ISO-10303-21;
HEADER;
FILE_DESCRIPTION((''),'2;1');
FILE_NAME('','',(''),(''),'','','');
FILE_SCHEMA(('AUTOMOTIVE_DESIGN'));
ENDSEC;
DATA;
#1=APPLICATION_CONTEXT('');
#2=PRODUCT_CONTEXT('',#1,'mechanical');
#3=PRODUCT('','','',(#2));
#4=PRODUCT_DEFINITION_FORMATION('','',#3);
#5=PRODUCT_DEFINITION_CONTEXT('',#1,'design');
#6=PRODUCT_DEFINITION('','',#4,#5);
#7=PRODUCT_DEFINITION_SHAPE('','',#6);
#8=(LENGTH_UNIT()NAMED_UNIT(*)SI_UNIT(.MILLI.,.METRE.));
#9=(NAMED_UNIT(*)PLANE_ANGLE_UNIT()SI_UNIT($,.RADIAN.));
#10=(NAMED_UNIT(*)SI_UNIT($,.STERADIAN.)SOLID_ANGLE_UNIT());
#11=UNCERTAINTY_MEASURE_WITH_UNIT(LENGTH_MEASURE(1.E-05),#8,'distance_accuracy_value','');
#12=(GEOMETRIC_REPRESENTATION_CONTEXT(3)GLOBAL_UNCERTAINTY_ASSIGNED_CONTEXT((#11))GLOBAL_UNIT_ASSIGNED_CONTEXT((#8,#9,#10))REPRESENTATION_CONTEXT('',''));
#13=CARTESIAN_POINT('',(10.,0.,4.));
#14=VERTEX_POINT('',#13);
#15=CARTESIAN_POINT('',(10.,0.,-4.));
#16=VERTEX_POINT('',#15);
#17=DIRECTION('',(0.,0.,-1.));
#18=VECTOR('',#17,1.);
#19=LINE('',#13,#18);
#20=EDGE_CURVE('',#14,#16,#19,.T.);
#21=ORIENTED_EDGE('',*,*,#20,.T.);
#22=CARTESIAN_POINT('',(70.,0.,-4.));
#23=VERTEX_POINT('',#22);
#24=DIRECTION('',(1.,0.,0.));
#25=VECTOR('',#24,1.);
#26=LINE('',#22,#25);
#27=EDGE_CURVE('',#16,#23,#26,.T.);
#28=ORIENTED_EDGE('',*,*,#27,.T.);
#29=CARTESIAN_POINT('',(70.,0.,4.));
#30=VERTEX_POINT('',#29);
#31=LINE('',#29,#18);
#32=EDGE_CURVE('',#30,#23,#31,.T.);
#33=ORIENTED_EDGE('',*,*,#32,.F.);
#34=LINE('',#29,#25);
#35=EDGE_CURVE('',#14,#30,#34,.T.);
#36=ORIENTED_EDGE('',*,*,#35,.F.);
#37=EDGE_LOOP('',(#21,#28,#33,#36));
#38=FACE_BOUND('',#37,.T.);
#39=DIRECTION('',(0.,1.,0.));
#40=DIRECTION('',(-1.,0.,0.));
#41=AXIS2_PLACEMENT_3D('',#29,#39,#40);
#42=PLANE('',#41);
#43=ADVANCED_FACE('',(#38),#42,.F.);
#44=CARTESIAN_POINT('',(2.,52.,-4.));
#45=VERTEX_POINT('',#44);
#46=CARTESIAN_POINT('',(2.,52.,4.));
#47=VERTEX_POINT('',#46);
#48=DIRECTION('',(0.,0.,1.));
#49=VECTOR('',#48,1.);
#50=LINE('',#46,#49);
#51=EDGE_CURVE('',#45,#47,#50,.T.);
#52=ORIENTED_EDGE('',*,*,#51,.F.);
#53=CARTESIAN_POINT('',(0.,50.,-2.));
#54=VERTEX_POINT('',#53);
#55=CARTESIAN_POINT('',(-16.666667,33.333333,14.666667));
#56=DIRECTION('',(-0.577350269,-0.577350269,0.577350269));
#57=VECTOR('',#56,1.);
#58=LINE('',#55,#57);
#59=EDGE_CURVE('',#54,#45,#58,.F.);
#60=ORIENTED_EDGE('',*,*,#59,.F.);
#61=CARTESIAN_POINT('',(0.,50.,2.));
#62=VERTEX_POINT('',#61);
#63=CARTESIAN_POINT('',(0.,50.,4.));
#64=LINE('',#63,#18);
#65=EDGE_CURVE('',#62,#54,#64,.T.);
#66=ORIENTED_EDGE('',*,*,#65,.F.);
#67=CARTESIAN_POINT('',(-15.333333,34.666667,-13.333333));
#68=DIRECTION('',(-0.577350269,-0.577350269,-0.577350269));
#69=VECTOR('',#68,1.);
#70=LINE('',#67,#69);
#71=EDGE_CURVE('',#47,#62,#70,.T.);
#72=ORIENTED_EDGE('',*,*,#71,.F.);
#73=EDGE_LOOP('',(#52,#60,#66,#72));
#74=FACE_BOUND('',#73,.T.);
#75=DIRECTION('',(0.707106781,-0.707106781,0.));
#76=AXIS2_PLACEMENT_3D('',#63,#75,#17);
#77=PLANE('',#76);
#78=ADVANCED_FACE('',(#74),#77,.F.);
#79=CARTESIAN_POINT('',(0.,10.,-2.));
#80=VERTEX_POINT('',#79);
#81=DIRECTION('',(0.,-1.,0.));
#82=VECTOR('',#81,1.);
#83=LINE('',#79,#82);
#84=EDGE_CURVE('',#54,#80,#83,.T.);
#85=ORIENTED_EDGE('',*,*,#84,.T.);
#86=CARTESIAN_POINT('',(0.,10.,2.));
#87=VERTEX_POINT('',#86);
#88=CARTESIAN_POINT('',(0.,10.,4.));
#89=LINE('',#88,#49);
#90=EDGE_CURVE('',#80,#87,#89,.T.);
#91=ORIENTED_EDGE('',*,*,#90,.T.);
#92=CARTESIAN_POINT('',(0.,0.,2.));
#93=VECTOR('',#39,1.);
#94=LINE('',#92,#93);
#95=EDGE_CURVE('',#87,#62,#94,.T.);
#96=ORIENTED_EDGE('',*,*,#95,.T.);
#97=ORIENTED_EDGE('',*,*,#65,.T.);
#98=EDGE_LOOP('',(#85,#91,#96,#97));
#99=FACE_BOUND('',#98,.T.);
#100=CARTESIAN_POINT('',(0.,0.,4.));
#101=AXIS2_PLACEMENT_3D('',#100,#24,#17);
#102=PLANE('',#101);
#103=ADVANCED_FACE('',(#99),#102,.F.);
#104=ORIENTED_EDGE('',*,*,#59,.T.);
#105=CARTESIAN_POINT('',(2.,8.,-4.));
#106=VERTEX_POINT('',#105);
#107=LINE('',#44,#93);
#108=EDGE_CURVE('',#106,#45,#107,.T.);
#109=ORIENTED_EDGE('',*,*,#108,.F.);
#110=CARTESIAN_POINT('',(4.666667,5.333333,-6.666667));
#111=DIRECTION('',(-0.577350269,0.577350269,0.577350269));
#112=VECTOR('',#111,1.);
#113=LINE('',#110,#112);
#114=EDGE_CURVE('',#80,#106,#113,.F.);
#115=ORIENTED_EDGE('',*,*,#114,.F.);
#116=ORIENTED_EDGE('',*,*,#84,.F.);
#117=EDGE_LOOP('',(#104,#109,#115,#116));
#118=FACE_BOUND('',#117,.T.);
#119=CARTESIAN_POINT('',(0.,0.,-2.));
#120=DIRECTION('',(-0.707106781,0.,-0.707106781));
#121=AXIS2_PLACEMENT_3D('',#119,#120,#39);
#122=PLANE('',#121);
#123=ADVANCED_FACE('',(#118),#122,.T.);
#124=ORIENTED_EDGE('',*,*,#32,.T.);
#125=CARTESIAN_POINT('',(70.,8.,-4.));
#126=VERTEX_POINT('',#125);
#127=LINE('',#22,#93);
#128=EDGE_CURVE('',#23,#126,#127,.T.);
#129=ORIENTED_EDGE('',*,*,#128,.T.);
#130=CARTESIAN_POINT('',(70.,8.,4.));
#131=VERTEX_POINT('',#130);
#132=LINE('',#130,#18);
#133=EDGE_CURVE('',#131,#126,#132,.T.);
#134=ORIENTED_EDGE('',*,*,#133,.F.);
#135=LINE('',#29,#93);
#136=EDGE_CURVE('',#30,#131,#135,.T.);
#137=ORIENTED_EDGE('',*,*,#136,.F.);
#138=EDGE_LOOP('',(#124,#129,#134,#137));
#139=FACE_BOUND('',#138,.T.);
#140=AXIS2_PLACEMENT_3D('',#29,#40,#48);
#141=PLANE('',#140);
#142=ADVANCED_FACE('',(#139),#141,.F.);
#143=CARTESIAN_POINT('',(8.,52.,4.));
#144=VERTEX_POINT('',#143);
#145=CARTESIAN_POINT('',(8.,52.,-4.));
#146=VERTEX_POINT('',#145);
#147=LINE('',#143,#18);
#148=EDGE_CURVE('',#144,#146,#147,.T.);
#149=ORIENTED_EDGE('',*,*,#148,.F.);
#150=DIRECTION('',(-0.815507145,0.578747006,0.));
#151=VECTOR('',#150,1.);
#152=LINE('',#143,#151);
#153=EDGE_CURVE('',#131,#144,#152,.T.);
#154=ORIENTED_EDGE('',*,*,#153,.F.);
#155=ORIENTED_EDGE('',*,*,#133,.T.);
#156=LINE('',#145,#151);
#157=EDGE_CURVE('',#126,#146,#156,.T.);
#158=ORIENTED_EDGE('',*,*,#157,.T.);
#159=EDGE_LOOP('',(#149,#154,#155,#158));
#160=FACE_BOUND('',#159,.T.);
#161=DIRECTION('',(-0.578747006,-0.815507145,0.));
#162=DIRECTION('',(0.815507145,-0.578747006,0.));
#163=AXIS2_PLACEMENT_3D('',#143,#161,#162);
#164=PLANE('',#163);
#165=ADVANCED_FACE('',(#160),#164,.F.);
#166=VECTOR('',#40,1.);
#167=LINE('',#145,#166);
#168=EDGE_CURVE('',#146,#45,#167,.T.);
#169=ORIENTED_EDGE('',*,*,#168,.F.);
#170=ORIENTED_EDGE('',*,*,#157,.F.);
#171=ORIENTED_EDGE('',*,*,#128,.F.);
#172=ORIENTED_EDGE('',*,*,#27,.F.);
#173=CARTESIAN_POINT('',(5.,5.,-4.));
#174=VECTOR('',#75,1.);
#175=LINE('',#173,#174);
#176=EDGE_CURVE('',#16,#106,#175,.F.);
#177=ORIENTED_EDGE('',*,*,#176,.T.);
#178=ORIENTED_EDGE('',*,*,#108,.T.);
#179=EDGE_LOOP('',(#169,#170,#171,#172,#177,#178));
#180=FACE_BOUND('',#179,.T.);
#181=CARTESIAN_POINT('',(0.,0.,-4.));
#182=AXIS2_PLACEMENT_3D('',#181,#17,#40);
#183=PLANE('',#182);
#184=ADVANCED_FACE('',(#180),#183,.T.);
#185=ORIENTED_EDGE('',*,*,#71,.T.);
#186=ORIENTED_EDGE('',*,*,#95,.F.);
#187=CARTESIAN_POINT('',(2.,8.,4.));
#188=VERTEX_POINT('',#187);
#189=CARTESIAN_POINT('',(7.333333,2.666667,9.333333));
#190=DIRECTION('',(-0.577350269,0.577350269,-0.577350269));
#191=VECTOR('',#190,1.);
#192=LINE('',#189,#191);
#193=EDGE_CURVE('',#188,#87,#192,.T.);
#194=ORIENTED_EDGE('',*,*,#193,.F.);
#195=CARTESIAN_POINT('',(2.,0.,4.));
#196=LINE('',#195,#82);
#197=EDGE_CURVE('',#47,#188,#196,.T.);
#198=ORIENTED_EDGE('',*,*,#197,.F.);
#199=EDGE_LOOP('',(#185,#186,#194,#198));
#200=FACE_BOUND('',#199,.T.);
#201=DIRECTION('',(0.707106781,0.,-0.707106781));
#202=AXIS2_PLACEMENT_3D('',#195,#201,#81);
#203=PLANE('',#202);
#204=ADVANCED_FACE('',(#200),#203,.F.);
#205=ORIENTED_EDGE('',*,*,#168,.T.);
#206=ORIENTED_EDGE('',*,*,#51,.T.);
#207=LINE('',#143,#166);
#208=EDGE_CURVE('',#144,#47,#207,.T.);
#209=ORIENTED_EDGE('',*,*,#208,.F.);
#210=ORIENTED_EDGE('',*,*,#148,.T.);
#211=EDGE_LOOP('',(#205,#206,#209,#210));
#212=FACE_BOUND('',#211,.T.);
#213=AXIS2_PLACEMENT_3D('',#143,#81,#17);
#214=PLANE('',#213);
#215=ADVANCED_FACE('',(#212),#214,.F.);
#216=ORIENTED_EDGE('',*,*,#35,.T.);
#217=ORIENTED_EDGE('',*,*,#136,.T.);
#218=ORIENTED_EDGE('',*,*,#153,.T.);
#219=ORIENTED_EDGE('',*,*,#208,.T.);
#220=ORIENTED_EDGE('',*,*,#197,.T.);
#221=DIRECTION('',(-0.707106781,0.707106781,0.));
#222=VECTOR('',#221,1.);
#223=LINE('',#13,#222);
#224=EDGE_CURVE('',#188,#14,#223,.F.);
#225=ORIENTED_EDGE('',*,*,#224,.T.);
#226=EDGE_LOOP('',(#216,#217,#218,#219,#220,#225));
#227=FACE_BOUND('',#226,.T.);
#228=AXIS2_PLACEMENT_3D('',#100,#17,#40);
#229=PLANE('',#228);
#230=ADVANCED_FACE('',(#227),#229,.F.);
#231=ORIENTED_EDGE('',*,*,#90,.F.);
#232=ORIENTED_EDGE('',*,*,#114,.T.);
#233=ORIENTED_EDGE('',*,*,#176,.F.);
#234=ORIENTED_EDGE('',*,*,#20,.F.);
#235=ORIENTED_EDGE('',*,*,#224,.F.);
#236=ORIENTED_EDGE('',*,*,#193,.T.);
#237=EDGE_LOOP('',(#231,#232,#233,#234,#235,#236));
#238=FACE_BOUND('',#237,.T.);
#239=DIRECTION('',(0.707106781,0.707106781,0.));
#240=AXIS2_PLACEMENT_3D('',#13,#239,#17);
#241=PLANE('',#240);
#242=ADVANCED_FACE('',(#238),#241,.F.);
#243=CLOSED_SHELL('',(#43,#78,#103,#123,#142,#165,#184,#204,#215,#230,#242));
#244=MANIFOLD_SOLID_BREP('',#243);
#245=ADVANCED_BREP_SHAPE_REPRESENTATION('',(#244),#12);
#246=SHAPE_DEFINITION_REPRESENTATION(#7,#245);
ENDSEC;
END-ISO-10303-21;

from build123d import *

# Parameters (mm, degrees)
EXTRUDE_1_DEPTH = 4
CHAMFER_1_SIZE  = 10
CHAMFER_2_SIZE  = 2
CHAMFER_3_SIZE  = 2


with BuildPart() as part:
    # Эскиз1 → Бобышка-Вытянуть1 (new, symmetric)
    with BuildSketch(Plane.XY):
        Polygon((0, 0), (0, 52), (8, 52), (70, 8), (70, 0), align=None)
    extrude(amount=EXTRUDE_1_DEPTH, both=True)

    # Фаска1
    chamfer_1_edges = [part.edges().sort_by_distance(p)[0] for p in [
        (0, 0, 0),
    ]]
    chamfer(chamfer_1_edges, length=CHAMFER_1_SIZE)

    # Фаска2
    chamfer_2_edges = [part.edges().sort_by_distance(p)[0] for p in [
        (0, 31, 4),
        (0, 31, -4),
    ]]
    chamfer(chamfer_2_edges, length=CHAMFER_2_SIZE)

    # Фаска3
    chamfer_3_edges = [part.edges().sort_by_distance(p)[0] for p in [
        (0, 52, 0),
    ]]
    chamfer(chamfer_3_edges, length=CHAMFER_3_SIZE)


solid = part.part
